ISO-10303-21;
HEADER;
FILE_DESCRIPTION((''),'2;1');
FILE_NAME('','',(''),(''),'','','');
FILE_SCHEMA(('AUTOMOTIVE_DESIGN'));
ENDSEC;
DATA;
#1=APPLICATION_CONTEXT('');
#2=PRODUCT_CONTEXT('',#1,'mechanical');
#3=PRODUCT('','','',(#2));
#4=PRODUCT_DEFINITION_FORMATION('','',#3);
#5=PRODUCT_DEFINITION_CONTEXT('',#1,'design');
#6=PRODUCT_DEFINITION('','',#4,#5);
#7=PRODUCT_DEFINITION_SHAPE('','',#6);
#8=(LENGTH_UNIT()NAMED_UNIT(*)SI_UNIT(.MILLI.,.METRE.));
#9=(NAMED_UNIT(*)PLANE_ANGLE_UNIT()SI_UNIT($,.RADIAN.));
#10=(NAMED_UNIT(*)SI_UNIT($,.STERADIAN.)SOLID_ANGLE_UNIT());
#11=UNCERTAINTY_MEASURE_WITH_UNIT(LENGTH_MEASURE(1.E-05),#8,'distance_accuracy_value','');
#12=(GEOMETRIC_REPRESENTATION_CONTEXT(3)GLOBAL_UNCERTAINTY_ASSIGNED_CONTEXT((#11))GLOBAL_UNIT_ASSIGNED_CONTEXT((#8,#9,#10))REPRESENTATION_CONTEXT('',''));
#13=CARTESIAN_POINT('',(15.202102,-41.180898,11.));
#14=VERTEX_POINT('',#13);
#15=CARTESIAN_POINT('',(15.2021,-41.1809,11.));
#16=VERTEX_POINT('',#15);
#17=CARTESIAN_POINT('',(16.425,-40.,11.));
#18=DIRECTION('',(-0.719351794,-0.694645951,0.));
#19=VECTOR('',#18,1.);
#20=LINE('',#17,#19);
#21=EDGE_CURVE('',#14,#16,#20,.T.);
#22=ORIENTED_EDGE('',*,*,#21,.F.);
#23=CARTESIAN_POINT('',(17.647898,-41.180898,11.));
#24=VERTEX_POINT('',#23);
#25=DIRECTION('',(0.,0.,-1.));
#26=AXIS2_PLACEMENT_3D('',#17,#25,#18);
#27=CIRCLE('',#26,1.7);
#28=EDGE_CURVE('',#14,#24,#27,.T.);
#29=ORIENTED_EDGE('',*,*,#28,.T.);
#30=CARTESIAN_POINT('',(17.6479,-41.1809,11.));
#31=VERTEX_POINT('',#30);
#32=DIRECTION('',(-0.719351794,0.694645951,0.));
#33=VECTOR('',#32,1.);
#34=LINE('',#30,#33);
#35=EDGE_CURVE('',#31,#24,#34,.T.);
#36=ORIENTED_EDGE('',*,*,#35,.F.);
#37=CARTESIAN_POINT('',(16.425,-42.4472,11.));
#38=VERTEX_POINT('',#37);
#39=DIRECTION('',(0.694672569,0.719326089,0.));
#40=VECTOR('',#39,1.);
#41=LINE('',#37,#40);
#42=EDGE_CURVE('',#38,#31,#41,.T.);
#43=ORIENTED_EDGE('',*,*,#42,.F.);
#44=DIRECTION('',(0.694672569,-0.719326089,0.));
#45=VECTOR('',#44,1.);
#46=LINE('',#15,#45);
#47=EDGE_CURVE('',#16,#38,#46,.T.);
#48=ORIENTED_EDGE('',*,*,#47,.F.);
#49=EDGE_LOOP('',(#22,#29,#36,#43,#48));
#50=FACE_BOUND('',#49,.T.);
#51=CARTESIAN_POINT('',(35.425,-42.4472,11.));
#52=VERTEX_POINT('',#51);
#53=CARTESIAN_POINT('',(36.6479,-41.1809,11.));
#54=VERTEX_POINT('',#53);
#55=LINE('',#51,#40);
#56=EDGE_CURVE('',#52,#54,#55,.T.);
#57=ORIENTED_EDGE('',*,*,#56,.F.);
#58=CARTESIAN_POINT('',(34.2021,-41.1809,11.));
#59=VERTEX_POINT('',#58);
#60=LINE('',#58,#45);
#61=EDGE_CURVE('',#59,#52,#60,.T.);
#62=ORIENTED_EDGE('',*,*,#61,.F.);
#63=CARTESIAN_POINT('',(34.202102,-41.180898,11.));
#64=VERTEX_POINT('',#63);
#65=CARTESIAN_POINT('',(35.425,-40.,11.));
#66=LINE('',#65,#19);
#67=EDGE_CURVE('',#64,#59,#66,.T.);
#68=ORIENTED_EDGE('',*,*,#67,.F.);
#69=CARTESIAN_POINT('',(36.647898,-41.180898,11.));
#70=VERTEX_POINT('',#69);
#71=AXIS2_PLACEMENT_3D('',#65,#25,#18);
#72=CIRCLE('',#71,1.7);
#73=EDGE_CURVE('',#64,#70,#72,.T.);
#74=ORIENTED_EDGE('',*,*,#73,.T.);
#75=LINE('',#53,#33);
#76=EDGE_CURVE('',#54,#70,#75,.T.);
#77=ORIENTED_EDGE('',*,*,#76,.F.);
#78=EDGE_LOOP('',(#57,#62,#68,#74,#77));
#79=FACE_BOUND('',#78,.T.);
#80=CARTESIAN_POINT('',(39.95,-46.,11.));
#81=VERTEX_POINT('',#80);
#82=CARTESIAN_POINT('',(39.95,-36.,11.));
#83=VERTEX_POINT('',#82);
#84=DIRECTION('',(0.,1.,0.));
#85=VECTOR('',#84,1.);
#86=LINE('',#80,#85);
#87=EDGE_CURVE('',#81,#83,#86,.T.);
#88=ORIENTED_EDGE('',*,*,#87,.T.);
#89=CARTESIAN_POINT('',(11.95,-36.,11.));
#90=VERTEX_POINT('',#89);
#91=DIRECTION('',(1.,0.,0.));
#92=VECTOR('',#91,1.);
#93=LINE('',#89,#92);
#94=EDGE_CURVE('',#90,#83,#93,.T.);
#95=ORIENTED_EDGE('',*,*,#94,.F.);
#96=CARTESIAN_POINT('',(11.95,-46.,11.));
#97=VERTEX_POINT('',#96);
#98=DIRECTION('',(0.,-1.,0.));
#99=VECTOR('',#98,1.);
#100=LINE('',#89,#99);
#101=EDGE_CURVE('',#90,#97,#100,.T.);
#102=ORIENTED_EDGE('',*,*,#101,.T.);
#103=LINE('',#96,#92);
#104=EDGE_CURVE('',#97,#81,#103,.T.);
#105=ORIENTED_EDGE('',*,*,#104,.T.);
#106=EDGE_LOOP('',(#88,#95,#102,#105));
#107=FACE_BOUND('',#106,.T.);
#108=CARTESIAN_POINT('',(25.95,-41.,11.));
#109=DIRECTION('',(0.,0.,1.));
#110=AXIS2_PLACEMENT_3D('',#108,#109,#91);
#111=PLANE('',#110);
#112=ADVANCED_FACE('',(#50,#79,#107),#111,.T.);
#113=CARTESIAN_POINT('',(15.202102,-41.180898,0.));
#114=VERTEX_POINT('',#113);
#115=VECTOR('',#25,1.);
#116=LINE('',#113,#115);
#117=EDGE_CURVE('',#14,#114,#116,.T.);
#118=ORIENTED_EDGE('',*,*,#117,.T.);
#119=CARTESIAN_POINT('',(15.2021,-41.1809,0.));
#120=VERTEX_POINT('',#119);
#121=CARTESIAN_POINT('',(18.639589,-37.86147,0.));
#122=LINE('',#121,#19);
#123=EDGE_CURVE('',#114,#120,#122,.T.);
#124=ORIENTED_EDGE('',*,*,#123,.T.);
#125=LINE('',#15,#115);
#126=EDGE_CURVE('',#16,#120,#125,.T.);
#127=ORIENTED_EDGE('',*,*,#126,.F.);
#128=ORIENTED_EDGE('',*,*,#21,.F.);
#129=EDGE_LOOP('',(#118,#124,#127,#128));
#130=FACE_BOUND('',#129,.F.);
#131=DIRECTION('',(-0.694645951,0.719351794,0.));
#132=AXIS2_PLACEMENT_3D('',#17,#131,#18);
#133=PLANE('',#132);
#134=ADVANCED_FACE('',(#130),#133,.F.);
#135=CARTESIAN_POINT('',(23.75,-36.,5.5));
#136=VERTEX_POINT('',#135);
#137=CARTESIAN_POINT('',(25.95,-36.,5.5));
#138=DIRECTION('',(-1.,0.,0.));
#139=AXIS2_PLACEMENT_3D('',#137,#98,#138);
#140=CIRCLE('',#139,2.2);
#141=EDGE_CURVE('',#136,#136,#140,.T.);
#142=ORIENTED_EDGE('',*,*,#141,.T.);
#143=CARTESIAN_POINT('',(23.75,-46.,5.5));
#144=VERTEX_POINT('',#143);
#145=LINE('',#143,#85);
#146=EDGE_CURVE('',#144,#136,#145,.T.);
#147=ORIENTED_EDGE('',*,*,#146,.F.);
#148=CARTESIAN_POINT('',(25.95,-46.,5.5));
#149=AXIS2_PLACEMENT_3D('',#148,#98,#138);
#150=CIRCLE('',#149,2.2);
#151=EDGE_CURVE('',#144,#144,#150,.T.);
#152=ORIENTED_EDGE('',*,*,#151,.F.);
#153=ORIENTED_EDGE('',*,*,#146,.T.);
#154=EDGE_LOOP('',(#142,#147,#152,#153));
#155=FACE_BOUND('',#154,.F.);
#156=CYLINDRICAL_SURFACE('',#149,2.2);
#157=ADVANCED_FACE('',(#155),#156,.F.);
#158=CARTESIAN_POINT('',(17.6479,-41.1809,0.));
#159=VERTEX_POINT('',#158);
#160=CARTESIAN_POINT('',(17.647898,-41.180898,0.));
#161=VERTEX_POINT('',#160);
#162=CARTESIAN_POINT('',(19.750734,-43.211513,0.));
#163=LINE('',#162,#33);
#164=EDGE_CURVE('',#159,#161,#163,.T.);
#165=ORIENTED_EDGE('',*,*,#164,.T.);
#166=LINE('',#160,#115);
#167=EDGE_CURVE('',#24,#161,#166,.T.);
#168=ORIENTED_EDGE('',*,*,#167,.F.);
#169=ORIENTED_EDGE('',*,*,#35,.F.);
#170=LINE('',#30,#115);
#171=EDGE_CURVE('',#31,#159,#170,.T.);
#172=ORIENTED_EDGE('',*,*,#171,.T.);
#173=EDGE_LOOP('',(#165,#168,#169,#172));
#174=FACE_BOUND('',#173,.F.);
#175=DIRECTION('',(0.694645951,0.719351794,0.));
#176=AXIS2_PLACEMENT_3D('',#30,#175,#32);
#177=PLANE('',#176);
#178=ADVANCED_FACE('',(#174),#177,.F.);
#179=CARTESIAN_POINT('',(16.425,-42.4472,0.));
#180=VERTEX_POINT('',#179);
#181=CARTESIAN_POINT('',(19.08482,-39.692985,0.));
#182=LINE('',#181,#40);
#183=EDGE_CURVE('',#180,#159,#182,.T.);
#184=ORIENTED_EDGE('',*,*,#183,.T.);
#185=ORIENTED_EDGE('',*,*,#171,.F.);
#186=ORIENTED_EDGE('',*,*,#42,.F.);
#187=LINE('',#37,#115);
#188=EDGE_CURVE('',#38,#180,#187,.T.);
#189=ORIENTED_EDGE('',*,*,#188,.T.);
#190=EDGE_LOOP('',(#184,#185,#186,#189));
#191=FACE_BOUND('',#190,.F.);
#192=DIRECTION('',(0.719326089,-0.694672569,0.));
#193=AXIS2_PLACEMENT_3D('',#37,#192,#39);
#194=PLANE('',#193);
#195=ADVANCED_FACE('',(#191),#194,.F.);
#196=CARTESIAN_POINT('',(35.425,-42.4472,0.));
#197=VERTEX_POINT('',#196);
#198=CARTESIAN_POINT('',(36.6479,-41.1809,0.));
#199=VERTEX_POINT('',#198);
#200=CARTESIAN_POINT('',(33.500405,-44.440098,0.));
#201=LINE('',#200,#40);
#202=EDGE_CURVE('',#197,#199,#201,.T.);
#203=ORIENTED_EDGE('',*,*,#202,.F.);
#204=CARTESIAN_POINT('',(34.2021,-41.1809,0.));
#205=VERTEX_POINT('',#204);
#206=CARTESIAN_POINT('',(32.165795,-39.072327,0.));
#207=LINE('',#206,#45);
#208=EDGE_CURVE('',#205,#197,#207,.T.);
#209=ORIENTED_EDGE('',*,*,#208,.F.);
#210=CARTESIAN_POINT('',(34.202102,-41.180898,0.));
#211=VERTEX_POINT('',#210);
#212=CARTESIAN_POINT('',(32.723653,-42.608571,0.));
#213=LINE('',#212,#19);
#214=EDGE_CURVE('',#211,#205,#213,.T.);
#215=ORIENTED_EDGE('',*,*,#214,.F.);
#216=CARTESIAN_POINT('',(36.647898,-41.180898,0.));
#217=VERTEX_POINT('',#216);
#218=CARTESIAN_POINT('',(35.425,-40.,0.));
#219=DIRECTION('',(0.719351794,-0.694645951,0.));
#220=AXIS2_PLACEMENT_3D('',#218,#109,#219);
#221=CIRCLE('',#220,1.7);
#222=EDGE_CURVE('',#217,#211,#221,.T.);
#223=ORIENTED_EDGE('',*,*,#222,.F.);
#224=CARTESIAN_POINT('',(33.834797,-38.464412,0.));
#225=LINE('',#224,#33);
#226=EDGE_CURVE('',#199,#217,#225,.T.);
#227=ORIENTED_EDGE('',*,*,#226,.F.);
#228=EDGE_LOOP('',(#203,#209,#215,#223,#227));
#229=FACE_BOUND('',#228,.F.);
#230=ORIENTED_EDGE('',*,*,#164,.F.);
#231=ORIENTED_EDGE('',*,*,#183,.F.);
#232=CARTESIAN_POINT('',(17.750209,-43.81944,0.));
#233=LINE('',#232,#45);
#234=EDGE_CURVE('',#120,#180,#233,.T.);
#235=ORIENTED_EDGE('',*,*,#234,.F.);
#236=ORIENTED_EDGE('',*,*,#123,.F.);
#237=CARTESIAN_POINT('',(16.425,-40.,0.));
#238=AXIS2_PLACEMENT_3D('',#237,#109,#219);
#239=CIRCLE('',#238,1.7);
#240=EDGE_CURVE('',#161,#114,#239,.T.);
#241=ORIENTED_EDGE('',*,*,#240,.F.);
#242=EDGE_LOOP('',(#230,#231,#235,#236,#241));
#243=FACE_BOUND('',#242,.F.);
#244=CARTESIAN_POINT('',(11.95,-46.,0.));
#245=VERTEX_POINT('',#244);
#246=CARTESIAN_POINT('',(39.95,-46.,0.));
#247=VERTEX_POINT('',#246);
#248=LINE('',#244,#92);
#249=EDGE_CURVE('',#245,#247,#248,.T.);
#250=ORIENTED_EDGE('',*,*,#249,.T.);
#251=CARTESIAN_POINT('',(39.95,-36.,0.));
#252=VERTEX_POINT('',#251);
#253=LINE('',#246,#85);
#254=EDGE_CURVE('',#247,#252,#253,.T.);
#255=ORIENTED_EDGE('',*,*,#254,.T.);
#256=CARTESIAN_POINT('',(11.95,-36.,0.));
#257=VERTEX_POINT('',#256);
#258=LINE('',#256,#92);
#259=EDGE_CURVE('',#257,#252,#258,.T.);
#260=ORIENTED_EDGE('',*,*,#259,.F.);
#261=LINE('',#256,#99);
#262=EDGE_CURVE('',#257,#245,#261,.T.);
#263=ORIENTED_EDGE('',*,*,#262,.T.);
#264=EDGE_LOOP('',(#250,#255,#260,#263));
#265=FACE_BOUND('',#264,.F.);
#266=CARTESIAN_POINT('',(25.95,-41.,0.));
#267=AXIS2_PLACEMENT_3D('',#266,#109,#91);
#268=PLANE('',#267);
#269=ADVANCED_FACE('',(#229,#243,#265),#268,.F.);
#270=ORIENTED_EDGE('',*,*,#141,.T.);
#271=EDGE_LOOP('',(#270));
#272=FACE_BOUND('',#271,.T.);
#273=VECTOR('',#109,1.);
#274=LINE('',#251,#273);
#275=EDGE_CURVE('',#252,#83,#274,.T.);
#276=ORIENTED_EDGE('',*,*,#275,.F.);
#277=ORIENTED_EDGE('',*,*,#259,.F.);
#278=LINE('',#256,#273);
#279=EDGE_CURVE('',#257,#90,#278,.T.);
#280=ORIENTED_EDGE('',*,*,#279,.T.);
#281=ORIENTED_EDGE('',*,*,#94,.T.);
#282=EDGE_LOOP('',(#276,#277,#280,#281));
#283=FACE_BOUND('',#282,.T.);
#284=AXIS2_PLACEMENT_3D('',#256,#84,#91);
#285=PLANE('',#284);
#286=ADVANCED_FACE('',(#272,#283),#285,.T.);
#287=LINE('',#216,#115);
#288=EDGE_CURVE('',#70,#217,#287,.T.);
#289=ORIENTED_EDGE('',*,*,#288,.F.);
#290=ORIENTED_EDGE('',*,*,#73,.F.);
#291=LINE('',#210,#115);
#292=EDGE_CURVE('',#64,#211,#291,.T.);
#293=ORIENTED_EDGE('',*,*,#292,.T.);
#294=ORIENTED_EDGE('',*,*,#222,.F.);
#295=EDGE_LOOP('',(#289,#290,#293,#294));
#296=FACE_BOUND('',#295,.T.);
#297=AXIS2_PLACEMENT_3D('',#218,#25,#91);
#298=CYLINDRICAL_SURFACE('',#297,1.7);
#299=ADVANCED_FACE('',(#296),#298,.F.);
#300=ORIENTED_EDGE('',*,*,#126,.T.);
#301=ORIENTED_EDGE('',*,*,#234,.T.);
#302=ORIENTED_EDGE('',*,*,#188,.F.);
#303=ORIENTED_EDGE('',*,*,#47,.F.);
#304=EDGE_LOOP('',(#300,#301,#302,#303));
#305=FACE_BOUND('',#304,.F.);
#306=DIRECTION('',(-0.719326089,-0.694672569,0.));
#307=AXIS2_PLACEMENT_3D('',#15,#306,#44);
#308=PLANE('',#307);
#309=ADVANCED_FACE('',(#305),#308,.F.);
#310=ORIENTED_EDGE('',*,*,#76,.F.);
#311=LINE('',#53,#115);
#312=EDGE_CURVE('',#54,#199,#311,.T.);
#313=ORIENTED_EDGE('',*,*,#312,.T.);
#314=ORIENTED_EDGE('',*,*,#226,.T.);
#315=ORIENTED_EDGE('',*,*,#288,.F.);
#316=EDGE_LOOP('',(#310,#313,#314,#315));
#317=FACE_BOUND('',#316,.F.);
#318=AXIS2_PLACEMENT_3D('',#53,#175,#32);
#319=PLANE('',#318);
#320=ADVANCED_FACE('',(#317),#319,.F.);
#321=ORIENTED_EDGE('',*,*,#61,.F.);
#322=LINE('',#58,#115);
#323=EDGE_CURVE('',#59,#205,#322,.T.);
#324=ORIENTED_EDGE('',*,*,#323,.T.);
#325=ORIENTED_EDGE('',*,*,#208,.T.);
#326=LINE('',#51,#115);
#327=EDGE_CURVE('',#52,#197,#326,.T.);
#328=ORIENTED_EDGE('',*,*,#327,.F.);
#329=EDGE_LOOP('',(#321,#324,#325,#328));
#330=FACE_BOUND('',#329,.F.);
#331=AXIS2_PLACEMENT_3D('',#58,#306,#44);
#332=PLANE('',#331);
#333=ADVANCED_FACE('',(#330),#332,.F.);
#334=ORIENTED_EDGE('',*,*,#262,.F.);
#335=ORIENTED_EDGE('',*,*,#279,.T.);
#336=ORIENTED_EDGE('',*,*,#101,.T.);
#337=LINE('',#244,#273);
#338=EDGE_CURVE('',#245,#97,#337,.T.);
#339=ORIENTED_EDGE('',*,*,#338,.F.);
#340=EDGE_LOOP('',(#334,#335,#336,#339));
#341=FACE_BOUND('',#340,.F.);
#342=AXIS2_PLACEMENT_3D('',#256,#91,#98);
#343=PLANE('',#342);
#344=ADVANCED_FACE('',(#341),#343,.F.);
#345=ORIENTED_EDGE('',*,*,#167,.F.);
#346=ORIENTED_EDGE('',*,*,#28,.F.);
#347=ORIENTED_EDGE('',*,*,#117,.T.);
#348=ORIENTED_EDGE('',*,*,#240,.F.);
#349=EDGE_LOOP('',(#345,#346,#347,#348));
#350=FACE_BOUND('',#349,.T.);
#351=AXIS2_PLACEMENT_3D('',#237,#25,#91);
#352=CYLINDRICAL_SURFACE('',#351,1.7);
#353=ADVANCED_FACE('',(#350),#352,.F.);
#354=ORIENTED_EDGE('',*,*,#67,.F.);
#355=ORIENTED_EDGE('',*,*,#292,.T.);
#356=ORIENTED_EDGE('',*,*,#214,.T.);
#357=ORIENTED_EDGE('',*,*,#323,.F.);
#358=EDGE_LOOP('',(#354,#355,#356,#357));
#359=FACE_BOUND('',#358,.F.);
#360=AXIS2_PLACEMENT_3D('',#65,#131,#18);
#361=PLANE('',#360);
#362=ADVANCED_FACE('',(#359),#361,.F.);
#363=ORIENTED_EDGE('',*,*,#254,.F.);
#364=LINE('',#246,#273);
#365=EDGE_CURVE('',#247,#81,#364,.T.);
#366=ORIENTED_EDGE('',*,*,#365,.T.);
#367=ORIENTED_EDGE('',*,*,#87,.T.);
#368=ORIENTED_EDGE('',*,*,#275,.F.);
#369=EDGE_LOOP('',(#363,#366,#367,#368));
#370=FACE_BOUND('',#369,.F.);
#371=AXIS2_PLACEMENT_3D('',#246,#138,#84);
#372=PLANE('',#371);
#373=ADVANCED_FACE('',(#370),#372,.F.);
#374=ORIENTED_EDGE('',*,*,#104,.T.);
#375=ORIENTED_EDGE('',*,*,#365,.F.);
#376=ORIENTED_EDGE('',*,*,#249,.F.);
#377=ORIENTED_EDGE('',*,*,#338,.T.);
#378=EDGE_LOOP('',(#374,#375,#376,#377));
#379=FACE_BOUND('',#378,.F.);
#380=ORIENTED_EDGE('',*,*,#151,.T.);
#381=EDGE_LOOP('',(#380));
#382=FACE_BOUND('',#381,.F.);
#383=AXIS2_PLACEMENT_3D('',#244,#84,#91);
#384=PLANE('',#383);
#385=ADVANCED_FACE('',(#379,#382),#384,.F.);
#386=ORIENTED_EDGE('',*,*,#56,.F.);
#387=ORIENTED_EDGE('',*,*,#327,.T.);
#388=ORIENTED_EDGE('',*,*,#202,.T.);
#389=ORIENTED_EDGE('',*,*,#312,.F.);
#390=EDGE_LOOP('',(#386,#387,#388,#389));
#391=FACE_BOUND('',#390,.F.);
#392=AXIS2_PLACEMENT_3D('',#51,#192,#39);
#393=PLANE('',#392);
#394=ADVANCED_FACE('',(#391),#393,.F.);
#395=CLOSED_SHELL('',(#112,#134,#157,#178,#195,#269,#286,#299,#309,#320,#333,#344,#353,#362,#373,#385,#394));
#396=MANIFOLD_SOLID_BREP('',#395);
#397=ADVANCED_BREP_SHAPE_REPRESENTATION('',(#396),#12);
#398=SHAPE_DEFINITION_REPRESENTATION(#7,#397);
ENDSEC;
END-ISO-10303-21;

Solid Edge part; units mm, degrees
sketch "Sketch1" plane through (0, 0, 0) normal (0, 0, 1) x (1, 0, 0)
  circle A0 centre (35.425, -40) radius 1.7
  line L0 (11.95, -46) -> (39.95, -46)
  line L1 (39.95, -46) -> (39.95, -36)
  line L2 (11.95, -36) -> (39.95, -36)
  line L3 (11.95, -36) -> (11.95, -46)
  circle A1 centre (16.425, -40) radius 1.7
  dimension "D1" = 3.4
  dimension "D2" = 3.4
extrude "Protrusion1" add sketch "Sketch1" along normal blind 11
sketch "Sketch2" plane through (25.95, -46, 4) normal (0, -1, 0) x (-1, 0, 0)
  circle A0 centre (0, -1.5) radius 2.2
  dimension "D1" = 4.4
  dimension "D2" = 5.5
  dimension "D3" = 14
extrude "Cutout1" cut sketch "Sketch2" against normal through all
sketch "Sketch3" plane through (25.95, -41, 11) normal (0, 0, 1) x (-1, 0, 0)
  line L0 (-9.475, -1) -> (-8.2521, 0.1809)
  line L1 (-8.2521, 0.1809) -> (-9.475, 1.4472)
  line L2 (-9.475, 1.4472) -> (-10.6979, 0.1809)
  line L3 (-10.6979, 0.1809) -> (-9.475, -1)
  line L4 (9.525, -1) -> (10.7479, 0.1809)
  line L5 (10.7479, 0.1809) -> (9.525, 1.4472)
  line L6 (9.525, 1.4472) -> (8.3021, 0.1809)
  line L7 (8.3021, 0.1809) -> (9.525, -1)
extrude "Cutout2" cut sketch "Sketch3" against normal through all
extrude "ExtrudedCutout_3" [suppressed]
properties material "ABS Plastic, medium impact"
